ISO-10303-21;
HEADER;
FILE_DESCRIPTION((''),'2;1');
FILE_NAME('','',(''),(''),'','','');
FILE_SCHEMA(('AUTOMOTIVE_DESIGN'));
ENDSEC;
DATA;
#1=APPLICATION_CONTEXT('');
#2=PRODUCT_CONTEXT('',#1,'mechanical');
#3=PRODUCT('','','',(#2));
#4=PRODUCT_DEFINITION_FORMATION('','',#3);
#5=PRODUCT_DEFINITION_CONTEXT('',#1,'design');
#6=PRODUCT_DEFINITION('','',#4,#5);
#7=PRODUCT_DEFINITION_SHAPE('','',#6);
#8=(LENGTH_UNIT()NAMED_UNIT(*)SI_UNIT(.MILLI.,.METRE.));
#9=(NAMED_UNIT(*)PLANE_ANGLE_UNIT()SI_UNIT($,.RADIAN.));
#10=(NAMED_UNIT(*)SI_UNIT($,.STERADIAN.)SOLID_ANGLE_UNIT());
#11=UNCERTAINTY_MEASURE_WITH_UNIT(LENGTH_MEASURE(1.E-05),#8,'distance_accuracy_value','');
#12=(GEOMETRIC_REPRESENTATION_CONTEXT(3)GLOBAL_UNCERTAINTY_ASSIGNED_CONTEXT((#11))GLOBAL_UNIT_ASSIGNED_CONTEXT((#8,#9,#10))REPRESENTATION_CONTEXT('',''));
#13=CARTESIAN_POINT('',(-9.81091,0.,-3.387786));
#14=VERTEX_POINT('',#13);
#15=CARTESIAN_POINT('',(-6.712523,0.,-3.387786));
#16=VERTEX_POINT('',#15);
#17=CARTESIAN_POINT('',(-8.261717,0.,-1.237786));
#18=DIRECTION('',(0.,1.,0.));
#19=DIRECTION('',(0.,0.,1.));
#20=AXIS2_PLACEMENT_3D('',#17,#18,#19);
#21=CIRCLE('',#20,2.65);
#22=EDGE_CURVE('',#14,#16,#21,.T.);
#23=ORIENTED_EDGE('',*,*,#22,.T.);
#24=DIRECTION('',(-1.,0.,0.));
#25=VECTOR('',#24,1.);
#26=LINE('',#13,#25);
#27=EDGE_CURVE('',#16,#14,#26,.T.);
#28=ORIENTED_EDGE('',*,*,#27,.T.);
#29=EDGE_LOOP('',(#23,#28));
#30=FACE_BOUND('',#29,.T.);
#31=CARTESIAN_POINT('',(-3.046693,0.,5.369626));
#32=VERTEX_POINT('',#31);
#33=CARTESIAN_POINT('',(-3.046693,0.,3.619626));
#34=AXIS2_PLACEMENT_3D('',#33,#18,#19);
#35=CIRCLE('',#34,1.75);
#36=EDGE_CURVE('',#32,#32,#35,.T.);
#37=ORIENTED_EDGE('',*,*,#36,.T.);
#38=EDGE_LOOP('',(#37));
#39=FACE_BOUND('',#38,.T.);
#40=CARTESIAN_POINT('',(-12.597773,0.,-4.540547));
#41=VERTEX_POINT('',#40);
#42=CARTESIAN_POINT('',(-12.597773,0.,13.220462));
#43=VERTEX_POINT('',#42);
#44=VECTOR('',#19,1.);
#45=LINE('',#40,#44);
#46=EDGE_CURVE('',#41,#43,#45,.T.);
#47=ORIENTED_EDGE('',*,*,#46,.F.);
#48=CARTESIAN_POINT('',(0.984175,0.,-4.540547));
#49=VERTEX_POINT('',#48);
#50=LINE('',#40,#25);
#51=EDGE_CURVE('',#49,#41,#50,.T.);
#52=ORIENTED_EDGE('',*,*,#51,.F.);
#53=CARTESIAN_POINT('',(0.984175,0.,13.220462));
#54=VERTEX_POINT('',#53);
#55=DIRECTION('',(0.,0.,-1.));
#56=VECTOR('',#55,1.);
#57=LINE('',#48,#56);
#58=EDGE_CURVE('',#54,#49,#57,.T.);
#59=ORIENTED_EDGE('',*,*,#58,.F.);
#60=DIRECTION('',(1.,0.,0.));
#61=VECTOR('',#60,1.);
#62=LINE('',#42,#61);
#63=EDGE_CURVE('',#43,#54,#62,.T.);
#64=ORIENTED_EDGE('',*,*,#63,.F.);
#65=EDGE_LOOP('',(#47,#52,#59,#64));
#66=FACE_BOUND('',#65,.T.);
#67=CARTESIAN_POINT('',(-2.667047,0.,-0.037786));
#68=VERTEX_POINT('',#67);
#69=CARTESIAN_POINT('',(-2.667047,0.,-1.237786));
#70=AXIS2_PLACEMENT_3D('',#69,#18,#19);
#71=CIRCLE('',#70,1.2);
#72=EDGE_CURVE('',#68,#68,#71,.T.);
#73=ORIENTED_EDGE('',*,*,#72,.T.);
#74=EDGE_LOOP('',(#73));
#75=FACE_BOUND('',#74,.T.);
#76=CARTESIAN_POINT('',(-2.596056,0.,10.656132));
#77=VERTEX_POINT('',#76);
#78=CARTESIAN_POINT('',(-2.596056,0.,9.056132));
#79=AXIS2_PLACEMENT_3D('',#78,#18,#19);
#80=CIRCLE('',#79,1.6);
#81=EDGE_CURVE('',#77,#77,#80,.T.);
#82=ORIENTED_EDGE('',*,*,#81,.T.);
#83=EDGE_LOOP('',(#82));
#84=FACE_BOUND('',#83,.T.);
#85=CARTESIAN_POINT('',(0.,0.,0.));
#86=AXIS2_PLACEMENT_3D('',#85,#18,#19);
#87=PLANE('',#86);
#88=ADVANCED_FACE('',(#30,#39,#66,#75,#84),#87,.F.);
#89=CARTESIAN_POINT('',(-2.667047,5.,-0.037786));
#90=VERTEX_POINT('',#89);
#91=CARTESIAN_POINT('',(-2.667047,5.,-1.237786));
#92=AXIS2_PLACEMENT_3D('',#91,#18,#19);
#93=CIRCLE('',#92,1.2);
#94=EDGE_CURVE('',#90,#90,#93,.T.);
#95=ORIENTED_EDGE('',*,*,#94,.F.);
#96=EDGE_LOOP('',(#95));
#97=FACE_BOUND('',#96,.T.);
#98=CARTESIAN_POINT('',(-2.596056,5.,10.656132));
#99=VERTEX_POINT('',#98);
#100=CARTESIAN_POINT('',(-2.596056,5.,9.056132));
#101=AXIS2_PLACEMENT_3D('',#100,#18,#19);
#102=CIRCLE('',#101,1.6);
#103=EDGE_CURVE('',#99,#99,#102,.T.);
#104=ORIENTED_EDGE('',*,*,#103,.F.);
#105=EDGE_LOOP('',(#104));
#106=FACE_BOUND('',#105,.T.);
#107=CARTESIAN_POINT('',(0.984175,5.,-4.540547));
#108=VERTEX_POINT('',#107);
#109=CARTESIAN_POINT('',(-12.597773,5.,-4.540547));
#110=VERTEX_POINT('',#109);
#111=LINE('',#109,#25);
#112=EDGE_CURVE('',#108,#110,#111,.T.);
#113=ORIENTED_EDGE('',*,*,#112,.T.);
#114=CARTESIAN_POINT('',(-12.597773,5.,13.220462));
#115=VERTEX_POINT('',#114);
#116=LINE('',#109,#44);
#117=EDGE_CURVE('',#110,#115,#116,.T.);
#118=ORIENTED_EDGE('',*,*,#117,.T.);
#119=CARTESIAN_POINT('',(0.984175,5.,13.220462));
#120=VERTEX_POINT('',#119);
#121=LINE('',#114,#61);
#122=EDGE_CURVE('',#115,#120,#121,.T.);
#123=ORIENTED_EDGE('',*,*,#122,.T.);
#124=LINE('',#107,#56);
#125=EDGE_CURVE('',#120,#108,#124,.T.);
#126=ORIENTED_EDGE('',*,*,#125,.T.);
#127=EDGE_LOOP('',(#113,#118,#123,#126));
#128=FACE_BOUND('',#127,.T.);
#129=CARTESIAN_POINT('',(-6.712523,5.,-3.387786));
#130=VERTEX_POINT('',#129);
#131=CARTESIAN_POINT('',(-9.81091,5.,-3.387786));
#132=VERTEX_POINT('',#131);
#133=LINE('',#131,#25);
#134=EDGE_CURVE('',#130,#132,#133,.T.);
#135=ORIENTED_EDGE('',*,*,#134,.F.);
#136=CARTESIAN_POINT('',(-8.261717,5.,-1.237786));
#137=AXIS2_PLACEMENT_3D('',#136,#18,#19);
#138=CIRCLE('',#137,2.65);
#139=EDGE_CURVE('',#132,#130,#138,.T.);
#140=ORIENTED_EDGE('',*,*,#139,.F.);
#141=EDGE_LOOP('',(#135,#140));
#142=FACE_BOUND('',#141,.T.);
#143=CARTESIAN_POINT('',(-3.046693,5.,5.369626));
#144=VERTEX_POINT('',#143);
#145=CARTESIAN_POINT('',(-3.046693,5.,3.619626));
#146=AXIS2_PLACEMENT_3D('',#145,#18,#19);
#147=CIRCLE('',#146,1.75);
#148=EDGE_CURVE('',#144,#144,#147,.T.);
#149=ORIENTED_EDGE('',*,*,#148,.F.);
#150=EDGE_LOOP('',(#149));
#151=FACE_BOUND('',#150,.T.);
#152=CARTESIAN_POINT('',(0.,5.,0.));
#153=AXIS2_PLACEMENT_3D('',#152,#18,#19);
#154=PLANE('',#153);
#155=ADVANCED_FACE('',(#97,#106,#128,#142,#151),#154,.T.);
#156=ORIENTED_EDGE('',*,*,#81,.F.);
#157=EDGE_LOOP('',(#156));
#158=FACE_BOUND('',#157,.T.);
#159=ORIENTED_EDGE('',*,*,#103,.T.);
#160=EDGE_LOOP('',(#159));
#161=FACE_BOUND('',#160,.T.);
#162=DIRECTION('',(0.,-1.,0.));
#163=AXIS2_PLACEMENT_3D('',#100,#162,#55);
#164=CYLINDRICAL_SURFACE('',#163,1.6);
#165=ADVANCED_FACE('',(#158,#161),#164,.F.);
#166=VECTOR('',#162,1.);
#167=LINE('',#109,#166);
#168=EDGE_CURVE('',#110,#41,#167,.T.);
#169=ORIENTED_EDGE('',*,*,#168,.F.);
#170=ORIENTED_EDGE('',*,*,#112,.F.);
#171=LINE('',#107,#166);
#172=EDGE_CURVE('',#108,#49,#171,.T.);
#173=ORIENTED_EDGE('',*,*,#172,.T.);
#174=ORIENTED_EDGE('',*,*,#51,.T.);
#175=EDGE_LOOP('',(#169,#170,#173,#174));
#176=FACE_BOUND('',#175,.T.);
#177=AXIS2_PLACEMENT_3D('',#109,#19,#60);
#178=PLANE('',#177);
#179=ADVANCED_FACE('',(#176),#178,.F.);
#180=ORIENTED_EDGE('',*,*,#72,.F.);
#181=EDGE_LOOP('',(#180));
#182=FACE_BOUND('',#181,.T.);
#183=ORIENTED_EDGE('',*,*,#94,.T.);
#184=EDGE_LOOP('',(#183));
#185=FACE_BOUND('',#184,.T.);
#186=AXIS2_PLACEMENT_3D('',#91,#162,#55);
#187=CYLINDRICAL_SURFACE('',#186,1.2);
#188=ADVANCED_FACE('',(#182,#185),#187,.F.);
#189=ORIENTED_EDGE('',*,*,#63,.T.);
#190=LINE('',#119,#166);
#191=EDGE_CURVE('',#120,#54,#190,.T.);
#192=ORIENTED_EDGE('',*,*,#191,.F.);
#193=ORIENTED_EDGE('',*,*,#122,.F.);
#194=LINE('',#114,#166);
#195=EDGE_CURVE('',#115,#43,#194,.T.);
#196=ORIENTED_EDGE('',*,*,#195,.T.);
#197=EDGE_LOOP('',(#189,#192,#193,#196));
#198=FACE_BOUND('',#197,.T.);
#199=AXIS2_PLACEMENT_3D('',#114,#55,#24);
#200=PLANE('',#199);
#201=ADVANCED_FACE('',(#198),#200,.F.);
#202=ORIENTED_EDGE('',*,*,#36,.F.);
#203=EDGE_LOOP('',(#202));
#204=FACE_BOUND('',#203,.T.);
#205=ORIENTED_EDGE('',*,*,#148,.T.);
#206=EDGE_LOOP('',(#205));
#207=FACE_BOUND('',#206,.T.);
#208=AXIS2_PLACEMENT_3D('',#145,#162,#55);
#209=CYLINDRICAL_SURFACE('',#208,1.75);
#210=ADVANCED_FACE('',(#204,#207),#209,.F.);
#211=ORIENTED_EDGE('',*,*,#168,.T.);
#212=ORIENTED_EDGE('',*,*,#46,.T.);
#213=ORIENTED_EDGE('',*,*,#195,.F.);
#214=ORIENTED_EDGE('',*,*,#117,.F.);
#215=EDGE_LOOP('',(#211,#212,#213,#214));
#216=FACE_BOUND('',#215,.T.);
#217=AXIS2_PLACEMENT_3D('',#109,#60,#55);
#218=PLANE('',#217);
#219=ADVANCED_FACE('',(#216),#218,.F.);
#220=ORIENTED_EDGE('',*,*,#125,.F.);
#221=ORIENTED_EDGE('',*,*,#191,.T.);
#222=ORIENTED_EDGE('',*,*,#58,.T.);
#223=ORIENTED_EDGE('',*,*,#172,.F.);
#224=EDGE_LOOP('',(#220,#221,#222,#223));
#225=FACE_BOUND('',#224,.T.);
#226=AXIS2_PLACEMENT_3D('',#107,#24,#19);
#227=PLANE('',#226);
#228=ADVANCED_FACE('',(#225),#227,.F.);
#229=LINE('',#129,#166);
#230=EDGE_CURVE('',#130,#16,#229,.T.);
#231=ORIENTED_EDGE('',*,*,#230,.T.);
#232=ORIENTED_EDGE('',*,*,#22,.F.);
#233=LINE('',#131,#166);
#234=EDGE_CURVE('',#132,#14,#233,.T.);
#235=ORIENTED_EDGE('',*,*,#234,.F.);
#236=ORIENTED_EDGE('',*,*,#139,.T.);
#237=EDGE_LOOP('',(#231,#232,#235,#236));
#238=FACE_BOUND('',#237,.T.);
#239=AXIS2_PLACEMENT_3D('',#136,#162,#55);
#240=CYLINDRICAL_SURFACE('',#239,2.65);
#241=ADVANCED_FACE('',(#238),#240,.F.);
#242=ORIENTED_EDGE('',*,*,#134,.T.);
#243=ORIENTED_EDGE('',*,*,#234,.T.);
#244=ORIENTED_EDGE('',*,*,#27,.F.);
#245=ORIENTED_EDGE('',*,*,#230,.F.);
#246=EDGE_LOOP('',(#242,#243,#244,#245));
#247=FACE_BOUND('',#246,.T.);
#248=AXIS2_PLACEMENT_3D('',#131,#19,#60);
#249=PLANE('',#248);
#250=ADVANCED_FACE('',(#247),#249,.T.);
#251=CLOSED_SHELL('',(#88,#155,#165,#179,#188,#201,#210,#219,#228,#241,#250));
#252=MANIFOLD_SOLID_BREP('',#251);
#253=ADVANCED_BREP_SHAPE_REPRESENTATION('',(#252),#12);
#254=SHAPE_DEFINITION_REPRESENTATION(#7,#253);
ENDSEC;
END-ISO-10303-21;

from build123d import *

# Parameters (mm, degrees)
SKETCH1_W           = 13.581948161
SKETCH1_H           = 17.761009134
SKETCH1_R           = 1.6
SKETCH1_R_2         = 1.2
SKETCH1_R_3         = 1.75
BOSS_EXTRUDE1_DEPTH = 5


with BuildPart() as part:
    # Sketch1 → Boss-Extrude1 (new body)
    with BuildSketch(Plane(origin=(0, 0, 0), x_dir=(1, 0, 0), z_dir=(0, 1, 0))):
        with Locations((-5.80679888, -4.339957405)):
            Rectangle(SKETCH1_W, SKETCH1_H)
        with Locations(Location((-2.596056365, -9.056132184, 0), (0, 0, 270))):
            Circle(SKETCH1_R, mode=Mode.SUBTRACT)
        with Locations(Location((-2.667047062, 1.237786047, 0), (0, 0, 270))):
            Circle(SKETCH1_R_2, mode=Mode.SUBTRACT)
        with Locations(Location((-3.046693025, -3.619626487, 0), (0, 0, 270))):
            Circle(SKETCH1_R_3, mode=Mode.SUBTRACT)
        with BuildLine():
            Line((-9.810909871, 3.387786047), (-6.712523194, 3.387786047))
            ThreePointArc((-6.712523194, 3.387786047), (-8.261716533, -1.412213953), (-9.810909871, 3.387786047))
        make_face(mode=Mode.SUBTRACT)
    extrude(amount=BOSS_EXTRUDE1_DEPTH)


solid = part.part
